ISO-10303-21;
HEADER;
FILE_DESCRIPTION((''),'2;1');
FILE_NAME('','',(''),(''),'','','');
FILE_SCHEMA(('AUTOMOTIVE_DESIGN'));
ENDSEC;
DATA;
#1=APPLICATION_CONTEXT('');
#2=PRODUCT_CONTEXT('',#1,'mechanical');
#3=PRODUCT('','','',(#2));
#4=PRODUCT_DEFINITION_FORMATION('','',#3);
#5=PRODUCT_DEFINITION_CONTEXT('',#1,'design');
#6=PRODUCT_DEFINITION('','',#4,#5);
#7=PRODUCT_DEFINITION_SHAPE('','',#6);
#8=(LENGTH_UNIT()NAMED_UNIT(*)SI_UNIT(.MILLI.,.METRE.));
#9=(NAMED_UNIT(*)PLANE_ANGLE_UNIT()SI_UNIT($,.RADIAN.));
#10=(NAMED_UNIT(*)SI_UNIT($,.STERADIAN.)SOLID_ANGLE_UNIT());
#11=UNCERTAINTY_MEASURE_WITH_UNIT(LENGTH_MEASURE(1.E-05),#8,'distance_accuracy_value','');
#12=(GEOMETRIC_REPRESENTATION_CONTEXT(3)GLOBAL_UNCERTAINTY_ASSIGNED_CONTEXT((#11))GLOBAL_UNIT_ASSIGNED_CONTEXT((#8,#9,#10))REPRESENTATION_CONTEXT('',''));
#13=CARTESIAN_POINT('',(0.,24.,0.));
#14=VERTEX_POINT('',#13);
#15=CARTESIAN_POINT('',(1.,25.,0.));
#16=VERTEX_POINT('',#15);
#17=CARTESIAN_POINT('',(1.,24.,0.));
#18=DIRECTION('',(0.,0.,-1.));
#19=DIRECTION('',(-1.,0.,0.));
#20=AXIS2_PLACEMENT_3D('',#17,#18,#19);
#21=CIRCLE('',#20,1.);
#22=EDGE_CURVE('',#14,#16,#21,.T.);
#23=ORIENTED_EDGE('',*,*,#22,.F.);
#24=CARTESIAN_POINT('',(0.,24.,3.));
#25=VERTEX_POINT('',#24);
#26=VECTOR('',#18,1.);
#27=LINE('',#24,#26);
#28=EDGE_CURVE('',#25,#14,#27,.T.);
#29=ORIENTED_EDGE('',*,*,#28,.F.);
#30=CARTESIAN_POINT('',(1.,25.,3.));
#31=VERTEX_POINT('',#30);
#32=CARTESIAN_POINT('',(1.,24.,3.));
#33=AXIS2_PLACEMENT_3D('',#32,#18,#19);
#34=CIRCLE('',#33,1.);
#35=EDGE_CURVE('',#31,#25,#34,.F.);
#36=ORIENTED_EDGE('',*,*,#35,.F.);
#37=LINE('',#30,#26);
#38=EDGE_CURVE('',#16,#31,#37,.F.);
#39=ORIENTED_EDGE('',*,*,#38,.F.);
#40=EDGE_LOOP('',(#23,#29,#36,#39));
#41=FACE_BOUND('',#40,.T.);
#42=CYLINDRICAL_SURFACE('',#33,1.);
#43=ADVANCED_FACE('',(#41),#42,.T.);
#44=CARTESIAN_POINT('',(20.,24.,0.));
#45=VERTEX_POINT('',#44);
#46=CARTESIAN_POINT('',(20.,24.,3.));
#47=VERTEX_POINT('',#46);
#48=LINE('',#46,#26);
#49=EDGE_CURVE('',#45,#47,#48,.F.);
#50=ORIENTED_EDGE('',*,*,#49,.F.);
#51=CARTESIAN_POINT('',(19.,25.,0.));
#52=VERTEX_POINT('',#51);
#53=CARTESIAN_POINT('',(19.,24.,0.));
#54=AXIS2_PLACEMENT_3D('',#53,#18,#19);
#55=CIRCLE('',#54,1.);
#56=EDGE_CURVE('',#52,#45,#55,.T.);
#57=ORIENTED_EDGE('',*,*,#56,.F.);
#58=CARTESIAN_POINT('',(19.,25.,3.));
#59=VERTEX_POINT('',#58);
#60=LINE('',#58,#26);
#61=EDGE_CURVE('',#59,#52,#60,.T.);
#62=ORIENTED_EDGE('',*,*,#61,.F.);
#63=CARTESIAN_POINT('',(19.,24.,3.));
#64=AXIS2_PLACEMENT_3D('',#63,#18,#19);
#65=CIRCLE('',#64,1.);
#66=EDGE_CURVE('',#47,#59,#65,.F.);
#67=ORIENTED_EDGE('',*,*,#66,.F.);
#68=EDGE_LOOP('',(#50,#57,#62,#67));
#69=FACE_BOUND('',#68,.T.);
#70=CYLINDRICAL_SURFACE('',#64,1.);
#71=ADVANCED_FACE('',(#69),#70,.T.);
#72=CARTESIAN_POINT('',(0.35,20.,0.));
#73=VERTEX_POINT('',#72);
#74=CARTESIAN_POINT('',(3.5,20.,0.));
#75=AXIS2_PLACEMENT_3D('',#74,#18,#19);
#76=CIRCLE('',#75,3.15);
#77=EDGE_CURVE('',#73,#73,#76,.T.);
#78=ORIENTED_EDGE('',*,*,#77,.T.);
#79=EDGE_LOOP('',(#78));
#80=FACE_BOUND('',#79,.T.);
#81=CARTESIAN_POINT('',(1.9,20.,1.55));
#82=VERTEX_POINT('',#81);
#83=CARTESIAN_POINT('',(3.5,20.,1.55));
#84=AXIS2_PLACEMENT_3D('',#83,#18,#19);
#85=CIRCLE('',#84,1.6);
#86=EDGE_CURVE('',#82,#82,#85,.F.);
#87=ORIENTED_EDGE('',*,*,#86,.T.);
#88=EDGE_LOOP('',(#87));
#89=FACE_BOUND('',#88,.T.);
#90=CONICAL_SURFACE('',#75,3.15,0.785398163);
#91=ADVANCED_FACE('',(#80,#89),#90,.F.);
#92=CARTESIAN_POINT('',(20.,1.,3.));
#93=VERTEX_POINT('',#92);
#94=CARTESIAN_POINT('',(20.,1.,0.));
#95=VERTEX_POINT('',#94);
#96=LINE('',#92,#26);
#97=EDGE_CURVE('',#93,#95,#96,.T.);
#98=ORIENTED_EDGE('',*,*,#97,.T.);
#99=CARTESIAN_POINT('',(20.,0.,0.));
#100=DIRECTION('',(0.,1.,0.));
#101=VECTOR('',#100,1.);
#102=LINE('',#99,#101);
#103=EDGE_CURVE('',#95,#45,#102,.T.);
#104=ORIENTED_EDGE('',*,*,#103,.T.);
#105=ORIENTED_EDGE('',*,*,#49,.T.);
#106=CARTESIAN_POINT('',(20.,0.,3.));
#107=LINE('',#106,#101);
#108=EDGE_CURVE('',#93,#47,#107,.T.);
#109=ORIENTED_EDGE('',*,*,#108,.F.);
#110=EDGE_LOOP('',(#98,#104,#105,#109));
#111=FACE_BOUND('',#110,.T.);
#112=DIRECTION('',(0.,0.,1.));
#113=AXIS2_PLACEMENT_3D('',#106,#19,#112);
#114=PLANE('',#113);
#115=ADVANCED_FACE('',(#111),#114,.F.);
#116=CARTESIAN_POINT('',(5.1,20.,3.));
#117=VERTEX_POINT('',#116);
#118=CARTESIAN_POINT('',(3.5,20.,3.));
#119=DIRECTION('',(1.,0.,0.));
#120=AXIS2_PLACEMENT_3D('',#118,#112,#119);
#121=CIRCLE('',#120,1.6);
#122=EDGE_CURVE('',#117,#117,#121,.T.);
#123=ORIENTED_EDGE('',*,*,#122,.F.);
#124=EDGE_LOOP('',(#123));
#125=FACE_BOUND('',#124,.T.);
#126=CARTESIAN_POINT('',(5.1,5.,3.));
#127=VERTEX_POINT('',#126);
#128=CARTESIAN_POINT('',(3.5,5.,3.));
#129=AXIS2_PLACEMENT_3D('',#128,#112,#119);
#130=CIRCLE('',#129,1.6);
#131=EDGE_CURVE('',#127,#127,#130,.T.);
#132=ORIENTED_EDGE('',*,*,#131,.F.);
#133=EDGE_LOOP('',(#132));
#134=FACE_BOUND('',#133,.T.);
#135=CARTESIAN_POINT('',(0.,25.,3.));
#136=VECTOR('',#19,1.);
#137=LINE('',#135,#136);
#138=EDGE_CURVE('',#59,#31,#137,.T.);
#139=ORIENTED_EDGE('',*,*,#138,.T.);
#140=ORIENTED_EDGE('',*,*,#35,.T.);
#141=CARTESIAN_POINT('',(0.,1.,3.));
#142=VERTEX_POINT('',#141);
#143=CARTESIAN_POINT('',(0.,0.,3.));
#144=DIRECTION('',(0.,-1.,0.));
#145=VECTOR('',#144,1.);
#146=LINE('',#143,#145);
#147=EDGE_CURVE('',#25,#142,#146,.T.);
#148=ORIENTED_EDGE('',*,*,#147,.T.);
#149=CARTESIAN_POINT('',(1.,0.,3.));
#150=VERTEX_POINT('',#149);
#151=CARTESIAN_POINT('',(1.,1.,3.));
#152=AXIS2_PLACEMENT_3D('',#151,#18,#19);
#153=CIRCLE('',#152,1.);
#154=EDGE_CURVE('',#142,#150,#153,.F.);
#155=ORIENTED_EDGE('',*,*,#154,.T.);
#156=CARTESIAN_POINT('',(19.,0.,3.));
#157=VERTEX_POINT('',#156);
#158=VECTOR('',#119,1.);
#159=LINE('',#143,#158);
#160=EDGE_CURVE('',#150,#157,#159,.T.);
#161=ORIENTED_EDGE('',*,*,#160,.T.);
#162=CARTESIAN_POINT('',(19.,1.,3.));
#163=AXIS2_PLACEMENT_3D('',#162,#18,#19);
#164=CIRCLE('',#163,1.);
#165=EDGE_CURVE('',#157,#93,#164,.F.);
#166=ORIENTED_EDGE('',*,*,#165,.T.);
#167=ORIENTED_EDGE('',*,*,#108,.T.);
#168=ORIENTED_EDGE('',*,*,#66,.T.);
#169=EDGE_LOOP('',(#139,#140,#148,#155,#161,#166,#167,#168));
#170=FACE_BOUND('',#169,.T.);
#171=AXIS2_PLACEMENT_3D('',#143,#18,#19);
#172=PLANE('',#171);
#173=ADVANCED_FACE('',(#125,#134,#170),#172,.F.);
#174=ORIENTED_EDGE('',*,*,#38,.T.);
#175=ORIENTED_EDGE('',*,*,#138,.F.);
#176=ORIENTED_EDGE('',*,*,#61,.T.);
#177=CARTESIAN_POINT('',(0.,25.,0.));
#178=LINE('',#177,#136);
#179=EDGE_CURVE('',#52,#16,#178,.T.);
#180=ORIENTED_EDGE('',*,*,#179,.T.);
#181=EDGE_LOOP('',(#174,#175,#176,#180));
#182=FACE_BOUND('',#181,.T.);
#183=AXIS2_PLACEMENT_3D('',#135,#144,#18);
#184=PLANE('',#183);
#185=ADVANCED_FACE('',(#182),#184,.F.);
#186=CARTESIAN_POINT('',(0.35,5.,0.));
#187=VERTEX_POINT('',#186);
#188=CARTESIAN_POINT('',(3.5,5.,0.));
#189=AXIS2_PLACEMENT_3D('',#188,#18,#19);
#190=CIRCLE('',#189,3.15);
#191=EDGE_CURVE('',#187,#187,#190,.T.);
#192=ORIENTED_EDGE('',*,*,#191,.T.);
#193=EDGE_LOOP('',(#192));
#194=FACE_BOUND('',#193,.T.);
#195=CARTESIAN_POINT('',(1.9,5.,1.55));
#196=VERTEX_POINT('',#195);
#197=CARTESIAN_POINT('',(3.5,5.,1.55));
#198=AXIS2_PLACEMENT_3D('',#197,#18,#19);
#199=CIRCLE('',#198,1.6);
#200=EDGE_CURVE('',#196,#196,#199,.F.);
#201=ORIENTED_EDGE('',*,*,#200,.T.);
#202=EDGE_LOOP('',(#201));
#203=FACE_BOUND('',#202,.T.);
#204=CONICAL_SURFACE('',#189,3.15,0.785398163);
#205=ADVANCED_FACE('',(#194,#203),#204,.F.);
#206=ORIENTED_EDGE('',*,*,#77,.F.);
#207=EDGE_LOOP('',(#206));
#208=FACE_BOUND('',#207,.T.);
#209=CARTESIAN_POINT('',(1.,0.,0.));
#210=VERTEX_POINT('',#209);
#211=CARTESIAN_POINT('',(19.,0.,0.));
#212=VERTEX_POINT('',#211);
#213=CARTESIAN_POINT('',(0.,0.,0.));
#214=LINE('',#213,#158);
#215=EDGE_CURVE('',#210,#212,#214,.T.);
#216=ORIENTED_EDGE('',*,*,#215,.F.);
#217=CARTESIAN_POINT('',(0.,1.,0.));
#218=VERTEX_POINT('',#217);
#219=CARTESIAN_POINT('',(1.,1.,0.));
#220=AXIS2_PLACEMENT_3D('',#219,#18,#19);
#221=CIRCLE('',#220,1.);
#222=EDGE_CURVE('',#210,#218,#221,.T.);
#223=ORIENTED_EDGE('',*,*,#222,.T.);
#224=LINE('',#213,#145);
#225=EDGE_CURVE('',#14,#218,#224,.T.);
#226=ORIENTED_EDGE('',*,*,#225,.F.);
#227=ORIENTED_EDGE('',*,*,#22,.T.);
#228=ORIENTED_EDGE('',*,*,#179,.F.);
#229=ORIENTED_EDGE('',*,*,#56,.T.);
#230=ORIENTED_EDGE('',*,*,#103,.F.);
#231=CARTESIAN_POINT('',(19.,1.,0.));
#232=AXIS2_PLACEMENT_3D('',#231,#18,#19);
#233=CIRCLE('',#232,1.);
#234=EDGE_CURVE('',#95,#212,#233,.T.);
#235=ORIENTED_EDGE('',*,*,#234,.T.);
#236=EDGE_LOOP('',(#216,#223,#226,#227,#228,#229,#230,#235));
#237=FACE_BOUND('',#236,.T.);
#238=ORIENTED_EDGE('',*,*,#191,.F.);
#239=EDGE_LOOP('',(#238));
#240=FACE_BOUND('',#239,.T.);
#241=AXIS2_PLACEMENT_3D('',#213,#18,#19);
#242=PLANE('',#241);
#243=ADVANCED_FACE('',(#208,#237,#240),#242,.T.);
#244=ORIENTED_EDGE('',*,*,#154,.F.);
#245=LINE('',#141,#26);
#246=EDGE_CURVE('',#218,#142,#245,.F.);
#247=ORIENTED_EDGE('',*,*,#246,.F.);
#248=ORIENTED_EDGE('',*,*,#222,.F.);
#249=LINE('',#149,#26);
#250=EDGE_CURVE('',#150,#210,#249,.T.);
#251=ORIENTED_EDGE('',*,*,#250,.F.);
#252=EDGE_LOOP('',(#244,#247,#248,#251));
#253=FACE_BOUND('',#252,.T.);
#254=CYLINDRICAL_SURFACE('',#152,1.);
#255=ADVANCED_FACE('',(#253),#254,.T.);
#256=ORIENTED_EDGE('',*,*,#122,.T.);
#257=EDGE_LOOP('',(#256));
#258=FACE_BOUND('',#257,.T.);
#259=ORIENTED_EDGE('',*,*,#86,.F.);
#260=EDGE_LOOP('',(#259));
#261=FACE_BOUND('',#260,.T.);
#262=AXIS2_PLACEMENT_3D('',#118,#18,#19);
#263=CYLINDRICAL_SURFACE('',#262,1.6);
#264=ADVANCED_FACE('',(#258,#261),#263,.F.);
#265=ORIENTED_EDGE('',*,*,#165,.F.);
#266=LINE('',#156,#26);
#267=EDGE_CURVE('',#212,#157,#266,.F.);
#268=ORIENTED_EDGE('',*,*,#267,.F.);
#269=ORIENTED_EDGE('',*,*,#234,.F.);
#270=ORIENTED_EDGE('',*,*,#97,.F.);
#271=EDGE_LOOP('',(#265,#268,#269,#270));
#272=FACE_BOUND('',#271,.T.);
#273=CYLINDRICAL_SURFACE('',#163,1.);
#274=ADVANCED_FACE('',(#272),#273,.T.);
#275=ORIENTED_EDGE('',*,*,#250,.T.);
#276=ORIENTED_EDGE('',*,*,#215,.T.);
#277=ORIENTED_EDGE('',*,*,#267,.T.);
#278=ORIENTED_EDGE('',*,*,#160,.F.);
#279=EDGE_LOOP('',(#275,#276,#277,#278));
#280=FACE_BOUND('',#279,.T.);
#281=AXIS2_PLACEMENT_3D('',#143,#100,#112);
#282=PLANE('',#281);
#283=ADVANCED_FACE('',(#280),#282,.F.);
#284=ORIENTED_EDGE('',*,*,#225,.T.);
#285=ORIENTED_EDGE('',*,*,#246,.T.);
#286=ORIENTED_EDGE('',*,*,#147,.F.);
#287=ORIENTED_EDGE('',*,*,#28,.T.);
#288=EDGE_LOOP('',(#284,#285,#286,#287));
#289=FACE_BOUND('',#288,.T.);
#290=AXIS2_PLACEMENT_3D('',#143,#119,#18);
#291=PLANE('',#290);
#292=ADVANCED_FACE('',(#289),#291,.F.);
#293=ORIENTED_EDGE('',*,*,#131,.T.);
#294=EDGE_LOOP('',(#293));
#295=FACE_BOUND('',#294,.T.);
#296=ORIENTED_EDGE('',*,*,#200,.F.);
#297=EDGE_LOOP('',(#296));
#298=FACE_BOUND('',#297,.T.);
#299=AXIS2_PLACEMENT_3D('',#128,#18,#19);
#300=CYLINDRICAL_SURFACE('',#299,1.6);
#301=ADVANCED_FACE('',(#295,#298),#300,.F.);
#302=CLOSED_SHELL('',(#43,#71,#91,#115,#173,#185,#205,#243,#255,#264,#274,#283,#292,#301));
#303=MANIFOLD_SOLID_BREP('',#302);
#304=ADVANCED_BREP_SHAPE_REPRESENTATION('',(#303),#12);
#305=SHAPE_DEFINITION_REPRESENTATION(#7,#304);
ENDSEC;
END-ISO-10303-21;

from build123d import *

# Parameters (mm, degrees)
SKETCH_1_W                  = 20
SKETCH_1_H                  = 25
SKETCH_1_R                  = 1.6
EXTRUDE_1_DEPTH             = 3
FILLET_1_R                  = 1
HOLE_WIZARD_M3_1_AT_2_COUNT = 2
HOLE_WIZARD_M3_1_AT_2_PITCH = 15


with BuildPart() as part:
    # ｽｹｯﾁ1 → ﾎﾞｽ - 押し出し1 (new body)
    with BuildSketch(Plane.XY):
        with Locations((10, 12.5)):
            Rectangle(SKETCH_1_W, SKETCH_1_H)
        with Locations((3.5, 5)):
            Circle(SKETCH_1_R, mode=Mode.SUBTRACT)
        with Locations((3.5, 20)):
            Circle(SKETCH_1_R, mode=Mode.SUBTRACT)
    extrude(amount=EXTRUDE_1_DEPTH)

    # ﾌｨﾚｯﾄ1
    fillet_1_edges = [part.edges().sort_by_distance(p)[0] for p in [
        (0, 25, 1.5),
        (20, 25, 1.5),
        (20, 0, 1.5),
        (0, 0, 1.5),
    ]]
    fillet(fillet_1_edges, radius=FILLET_1_R)

    # ｽｹｯﾁ3 → M3 丸皿ねじ用皿穴1 (revolve, cut)
    with BuildSketch(Plane(origin=(3.5, 20, 0), x_dir=(0, 1, 0), z_dir=(1, 0, 0))):
        Polygon((0, 0), (0, 3), (1.55, 3), (1.55, 1.6), (3.15, 0), align=None)
    hole_wizard_m3_1 = revolve(axis=Axis((3.5, 20, -6.35), (0, 0, 1)), mode=Mode.SUBTRACT)

    # M3 丸皿ねじ用皿穴1 at 2: M3 丸皿ねじ用皿穴1 ×2
    with Locations(*[(0, -i * HOLE_WIZARD_M3_1_AT_2_PITCH, 0) for i in range(1, HOLE_WIZARD_M3_1_AT_2_COUNT)]):
        add(hole_wizard_m3_1, mode=Mode.SUBTRACT)


solid = part.part
